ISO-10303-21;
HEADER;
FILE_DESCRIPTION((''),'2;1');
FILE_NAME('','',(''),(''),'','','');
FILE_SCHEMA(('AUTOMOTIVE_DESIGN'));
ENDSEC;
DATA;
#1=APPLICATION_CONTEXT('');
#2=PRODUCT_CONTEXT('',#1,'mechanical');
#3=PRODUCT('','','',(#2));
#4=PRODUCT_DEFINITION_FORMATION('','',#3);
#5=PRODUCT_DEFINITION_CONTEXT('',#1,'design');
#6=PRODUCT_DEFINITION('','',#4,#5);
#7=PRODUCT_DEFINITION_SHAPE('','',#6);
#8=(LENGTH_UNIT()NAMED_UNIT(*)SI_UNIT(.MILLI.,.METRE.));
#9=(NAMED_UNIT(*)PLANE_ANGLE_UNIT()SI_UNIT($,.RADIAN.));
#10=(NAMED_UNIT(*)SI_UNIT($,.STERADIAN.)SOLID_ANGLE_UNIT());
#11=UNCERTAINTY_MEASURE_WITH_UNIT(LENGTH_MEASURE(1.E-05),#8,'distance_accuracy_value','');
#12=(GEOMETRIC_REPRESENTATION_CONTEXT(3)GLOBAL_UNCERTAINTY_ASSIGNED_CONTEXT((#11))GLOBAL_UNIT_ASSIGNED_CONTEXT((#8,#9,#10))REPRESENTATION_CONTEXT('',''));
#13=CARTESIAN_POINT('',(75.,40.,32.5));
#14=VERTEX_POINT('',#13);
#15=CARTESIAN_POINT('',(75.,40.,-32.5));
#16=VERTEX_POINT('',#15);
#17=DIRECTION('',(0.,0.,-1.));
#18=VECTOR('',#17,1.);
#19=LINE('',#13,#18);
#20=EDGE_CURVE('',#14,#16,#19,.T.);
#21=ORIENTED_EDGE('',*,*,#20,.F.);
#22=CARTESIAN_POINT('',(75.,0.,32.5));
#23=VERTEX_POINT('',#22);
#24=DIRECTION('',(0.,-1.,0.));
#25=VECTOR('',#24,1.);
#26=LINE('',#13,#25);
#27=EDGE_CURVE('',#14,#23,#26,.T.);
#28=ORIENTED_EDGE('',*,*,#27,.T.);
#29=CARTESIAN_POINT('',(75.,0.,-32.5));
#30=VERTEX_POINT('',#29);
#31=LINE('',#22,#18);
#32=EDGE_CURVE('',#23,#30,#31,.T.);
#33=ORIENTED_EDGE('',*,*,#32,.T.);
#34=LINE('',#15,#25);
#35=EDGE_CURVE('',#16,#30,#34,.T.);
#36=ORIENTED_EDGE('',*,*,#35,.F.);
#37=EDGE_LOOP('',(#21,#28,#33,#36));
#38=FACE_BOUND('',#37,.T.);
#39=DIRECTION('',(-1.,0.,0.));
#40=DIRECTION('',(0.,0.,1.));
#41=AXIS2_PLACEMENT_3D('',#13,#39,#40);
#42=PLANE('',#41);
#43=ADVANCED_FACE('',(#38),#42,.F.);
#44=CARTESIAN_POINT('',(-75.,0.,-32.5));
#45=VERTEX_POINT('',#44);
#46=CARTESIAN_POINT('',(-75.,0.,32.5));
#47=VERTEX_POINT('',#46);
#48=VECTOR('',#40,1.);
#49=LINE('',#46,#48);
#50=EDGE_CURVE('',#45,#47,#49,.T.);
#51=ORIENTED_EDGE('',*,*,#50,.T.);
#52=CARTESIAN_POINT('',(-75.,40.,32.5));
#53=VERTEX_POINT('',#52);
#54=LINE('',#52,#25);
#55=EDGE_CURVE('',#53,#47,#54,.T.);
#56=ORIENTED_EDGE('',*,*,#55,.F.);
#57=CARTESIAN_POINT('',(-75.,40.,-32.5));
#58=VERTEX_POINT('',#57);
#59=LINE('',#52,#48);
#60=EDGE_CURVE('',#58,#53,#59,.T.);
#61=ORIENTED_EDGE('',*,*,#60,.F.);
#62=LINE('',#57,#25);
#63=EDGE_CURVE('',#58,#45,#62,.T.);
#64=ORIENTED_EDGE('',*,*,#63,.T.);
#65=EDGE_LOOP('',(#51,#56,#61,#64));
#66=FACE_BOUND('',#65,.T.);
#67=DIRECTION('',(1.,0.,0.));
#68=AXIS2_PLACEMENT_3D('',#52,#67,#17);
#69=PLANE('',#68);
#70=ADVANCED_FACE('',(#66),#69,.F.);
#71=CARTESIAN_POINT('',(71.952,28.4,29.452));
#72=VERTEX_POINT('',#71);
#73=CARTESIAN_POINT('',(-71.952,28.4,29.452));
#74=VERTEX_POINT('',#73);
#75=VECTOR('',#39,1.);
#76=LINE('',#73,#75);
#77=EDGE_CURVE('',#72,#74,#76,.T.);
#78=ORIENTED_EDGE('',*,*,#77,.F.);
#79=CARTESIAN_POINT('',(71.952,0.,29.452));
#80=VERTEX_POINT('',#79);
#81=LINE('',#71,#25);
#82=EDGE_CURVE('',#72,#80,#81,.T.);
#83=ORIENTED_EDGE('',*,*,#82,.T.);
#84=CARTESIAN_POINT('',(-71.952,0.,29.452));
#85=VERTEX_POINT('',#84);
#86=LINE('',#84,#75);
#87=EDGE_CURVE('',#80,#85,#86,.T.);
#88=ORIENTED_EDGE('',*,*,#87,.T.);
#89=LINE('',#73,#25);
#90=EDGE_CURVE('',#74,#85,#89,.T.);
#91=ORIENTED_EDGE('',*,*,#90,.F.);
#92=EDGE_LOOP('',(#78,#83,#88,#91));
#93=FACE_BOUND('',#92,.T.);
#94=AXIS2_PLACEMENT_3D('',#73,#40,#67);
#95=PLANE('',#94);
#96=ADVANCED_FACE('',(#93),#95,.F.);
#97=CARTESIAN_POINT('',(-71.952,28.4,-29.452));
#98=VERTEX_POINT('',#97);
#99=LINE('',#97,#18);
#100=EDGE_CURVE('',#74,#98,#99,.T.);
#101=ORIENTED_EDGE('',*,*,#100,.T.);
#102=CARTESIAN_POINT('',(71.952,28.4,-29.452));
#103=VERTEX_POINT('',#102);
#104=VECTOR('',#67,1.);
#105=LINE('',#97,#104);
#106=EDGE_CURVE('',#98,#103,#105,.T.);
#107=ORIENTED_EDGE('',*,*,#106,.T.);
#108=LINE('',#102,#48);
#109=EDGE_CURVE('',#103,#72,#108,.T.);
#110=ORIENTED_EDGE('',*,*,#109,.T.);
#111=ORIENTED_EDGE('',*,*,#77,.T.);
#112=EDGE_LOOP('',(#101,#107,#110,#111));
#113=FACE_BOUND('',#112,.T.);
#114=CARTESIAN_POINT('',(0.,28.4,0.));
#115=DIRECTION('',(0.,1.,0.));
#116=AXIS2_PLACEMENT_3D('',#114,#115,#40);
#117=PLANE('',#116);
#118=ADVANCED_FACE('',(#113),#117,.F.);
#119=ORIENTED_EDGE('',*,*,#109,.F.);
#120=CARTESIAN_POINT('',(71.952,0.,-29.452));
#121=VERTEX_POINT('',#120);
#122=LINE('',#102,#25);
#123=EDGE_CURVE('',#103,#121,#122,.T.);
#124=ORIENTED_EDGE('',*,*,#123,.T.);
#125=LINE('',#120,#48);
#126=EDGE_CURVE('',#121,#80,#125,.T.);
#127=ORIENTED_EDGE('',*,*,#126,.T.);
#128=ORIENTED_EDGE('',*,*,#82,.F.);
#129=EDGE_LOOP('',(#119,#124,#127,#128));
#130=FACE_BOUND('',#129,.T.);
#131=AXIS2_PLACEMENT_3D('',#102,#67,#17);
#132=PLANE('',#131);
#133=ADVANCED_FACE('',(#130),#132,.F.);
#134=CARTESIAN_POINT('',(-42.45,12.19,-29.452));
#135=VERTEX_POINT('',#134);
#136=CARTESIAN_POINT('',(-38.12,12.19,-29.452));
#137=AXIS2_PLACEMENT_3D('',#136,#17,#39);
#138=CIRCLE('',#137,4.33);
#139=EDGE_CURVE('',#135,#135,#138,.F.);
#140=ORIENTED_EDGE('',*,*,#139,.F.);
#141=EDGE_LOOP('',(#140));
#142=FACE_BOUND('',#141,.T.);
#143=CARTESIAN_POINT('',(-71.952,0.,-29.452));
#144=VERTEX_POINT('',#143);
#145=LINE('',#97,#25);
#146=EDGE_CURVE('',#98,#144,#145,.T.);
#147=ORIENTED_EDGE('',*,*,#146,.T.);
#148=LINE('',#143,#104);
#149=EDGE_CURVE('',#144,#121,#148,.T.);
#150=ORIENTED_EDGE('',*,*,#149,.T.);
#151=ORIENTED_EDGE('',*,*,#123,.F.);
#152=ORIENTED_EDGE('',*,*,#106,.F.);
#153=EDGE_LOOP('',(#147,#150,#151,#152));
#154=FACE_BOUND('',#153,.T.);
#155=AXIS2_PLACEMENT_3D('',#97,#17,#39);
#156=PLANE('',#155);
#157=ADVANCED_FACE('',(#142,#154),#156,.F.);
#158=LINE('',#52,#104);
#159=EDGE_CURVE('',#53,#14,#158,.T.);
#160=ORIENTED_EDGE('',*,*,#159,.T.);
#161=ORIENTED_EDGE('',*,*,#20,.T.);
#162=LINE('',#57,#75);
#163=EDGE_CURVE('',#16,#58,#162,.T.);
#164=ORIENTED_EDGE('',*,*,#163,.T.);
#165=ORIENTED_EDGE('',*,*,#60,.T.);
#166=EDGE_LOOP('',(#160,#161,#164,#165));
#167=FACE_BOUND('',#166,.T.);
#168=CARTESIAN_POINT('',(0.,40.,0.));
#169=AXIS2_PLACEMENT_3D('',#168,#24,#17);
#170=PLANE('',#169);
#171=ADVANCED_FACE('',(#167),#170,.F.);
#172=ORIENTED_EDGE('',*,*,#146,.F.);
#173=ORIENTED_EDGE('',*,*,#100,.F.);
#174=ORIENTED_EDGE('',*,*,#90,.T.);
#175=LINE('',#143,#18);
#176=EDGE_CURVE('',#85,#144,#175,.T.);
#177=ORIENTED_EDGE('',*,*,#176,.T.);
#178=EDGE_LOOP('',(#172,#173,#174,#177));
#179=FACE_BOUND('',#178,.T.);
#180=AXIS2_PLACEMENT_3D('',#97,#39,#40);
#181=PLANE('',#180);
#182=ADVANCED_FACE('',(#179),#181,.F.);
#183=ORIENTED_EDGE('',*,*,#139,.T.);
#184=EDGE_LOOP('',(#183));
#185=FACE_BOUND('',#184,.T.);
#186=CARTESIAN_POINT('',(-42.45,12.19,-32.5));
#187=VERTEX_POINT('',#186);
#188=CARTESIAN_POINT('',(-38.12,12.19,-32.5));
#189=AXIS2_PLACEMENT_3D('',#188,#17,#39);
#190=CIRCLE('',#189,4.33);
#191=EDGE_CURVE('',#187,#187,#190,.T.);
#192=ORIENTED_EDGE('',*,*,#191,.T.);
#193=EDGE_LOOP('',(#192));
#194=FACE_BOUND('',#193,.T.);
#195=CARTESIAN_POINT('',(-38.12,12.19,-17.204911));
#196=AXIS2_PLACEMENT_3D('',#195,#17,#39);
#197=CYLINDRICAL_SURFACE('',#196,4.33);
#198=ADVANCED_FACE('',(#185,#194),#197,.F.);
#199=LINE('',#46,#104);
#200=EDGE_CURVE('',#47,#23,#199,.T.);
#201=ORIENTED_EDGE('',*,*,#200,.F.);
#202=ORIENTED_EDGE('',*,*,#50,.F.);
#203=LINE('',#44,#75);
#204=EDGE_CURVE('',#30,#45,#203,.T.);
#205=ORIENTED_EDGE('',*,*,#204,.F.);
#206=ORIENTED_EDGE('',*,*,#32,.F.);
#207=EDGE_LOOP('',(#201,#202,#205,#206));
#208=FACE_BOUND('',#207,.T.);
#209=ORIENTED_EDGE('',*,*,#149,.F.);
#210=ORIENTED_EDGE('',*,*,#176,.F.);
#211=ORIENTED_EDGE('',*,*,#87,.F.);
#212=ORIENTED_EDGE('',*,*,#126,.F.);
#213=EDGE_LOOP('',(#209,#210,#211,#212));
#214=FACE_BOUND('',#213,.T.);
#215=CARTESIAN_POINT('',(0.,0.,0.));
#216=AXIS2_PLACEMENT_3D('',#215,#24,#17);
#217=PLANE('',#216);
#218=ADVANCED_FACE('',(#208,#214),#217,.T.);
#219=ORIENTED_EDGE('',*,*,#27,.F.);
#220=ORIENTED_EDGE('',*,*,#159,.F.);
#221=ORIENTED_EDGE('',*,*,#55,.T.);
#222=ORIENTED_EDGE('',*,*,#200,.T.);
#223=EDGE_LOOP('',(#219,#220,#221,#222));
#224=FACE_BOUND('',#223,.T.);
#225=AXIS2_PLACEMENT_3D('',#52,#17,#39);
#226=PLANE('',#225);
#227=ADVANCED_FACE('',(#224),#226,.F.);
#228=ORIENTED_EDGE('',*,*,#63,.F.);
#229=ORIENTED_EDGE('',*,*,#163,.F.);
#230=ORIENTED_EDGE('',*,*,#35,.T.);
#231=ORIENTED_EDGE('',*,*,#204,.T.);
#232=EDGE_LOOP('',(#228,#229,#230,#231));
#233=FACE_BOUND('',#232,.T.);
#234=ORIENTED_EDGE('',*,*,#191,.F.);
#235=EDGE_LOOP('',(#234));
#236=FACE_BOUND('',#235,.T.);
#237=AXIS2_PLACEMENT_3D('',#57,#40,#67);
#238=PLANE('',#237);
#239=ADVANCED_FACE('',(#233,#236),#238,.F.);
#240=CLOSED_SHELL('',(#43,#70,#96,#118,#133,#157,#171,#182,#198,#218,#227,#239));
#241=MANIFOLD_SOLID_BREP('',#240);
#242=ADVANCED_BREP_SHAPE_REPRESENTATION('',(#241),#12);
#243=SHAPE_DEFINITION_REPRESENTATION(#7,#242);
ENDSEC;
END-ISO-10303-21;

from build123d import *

# Parameters (mm, degrees)
SKETCH1_W           = 150
SKETCH1_H           = 65
BOSS_EXTRUDE1_DEPTH = 40
SKETCH2_W           = 143.904
SKETCH2_H           = 58.904
CUT_EXTRUDE1_DEPTH  = 28.4
SKETCH3_R           = 4.33
CUT_EXTRUDE2_DEPTH  = 3.048


with BuildPart() as part:
    # Sketch1 → Boss-Extrude1 (new body)
    with BuildSketch(Plane(origin=(0, 0, 0), x_dir=(1, 0, 0), z_dir=(0, 1, 0))):
        Rectangle(SKETCH1_W, SKETCH1_H)
    extrude(amount=BOSS_EXTRUDE1_DEPTH)

    # Sketch2 → Cut-Extrude1 (cut)
    with BuildSketch(Plane.XZ):
        Rectangle(SKETCH2_W, SKETCH2_H)
    extrude(amount=-CUT_EXTRUDE1_DEPTH, mode=Mode.SUBTRACT)

    # Sketch3 → Cut-Extrude2 (cut)
    with BuildSketch(Plane(origin=(0, 0, -32.5), x_dir=(-1, 0, 0), z_dir=(0, 0, -1))):
        with Locations((38.12, 12.19)):
            Circle(SKETCH3_R)
    extrude(amount=-CUT_EXTRUDE2_DEPTH, mode=Mode.SUBTRACT)


solid = part.part
